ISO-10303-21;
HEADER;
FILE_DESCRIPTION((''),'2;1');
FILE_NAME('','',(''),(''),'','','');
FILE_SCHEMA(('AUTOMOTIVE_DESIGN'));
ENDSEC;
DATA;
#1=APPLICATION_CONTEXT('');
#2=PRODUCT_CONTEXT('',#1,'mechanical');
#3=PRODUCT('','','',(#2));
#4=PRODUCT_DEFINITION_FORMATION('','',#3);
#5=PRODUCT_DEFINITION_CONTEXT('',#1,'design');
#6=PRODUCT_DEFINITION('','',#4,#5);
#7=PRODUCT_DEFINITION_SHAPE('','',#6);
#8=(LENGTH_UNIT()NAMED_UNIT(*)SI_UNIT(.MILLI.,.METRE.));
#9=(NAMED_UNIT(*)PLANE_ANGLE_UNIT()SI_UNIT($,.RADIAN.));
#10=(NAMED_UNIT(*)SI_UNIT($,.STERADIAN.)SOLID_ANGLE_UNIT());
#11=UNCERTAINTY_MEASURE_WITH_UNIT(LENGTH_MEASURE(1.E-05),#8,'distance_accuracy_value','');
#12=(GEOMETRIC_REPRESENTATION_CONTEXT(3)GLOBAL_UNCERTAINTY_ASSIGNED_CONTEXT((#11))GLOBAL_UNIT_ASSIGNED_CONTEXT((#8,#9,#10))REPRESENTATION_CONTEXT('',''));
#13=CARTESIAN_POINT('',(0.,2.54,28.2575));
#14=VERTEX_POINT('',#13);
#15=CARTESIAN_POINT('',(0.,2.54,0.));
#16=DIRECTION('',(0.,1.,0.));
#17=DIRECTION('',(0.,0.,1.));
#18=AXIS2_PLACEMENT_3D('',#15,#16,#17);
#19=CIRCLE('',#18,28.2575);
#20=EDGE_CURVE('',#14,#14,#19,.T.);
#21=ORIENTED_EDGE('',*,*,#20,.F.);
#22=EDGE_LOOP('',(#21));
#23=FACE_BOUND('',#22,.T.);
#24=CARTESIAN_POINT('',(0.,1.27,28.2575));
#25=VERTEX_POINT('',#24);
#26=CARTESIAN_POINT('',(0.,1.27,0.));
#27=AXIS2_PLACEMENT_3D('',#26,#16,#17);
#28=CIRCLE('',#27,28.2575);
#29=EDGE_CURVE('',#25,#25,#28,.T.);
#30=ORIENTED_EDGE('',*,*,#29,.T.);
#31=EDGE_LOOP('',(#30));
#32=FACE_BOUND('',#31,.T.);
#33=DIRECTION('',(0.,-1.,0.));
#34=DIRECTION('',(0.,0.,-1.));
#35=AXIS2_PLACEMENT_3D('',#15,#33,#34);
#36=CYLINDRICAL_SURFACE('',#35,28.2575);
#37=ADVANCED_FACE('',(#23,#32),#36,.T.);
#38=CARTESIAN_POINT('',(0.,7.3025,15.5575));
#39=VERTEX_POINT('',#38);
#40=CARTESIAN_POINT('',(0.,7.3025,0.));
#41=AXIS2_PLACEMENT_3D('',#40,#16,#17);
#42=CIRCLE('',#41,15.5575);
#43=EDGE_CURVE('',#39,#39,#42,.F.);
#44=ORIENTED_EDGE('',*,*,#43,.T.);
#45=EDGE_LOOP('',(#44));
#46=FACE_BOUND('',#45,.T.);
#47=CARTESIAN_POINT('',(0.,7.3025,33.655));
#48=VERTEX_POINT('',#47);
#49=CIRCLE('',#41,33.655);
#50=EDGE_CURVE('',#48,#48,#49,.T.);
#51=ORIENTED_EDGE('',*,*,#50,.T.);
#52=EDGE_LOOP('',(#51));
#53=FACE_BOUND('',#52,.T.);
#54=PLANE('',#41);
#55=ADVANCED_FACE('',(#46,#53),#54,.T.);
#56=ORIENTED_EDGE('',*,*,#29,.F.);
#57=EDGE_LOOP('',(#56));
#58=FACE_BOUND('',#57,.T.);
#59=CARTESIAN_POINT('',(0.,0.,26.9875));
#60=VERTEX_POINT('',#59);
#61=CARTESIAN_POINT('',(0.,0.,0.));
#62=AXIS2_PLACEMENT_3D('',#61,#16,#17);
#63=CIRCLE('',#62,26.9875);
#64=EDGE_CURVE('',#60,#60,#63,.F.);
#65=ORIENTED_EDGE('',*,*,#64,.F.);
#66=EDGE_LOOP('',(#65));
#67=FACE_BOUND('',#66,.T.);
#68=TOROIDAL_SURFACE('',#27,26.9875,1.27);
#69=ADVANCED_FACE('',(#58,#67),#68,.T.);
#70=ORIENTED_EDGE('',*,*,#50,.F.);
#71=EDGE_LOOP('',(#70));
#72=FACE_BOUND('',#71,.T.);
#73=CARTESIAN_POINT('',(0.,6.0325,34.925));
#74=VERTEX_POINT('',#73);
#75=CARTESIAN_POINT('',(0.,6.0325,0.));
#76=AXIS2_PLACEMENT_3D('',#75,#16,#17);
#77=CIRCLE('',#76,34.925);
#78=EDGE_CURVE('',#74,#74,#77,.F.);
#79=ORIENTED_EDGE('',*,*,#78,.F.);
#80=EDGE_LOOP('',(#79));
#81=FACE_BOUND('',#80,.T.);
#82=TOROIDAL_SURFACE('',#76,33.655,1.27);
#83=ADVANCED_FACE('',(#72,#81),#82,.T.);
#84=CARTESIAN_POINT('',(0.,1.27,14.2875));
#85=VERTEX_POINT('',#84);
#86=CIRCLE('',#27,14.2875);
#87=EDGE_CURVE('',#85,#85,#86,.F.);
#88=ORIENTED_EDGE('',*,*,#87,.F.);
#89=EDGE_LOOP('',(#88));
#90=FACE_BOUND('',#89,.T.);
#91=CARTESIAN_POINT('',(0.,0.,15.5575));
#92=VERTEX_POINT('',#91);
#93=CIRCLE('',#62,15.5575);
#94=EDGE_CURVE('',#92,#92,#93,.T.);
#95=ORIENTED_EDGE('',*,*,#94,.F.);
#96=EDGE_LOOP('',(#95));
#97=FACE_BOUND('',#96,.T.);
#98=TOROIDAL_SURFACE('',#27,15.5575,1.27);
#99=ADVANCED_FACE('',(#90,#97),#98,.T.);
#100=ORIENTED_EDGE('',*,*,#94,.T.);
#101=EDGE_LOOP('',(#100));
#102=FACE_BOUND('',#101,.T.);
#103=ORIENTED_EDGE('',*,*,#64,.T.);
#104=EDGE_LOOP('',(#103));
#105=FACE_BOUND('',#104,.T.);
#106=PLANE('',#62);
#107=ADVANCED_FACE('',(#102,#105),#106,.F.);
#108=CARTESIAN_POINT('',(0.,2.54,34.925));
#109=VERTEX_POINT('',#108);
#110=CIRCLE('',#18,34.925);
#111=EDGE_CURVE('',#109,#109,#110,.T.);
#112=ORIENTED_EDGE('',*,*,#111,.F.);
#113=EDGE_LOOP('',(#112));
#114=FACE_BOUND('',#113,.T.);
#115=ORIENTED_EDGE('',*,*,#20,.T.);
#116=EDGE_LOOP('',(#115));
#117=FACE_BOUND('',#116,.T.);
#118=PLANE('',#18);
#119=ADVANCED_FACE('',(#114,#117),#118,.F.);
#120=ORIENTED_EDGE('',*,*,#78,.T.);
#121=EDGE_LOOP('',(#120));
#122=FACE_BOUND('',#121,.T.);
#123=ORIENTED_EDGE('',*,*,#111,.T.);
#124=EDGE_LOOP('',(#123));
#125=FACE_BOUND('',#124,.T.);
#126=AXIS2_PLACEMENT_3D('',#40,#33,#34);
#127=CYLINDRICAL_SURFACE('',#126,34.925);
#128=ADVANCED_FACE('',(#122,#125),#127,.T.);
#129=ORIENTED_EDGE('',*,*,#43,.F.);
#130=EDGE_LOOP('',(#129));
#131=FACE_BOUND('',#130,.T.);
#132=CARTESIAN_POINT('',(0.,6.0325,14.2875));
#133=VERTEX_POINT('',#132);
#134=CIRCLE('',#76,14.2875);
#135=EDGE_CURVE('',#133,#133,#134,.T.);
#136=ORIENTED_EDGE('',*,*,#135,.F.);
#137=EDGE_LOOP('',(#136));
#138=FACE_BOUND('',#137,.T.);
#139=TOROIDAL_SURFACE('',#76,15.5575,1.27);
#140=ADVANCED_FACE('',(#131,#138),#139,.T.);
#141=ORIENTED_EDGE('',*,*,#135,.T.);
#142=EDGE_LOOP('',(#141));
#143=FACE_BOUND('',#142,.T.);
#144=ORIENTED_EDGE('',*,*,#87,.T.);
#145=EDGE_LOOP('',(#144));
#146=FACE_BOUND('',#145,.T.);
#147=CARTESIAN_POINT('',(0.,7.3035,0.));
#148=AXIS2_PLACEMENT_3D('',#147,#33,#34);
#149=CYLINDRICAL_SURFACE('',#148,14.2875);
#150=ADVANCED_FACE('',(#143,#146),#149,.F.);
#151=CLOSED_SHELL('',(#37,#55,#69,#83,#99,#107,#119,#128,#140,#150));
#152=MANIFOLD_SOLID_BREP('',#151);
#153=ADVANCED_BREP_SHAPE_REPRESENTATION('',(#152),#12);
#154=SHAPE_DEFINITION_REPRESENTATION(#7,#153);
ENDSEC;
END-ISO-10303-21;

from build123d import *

# Parameters (mm, degrees)
SKETCH1_R           = 28.2575
BOSS_EXTRUDE1_DEPTH = 2.54
SKETCH2_R           = 34.925
BOSS_EXTRUDE2_DEPTH = 4.7625
CUT_EXTRUDE1_REACH  = 9.303
SKETCH3_R           = 14.2875
FILLET1_R           = 1.27


with BuildPart() as part:
    # Sketch1 → Boss-Extrude1 (new body)
    with BuildSketch(Plane(origin=(0, 0, 0), x_dir=(1, 0, 0), z_dir=(0, 1, 0))):
        Circle(SKETCH1_R)
    extrude(amount=BOSS_EXTRUDE1_DEPTH)

    # Sketch2 → Boss-Extrude2 (add)
    with BuildSketch(Plane(origin=(0, 2.54, 0), x_dir=(1, 0, 0), z_dir=(0, 1, 0))):
        Circle(SKETCH2_R)
    extrude(amount=BOSS_EXTRUDE2_DEPTH)

    # Sketch3 → Cut-Extrude1 (cut, up to next)
    with BuildSketch(Plane.XZ, mode=Mode.PRIVATE) as cut_extrude1_sk1:
        Circle(SKETCH3_R)
    cut_extrude1_tool1 = extrude(cut_extrude1_sk1.sketch, amount=-CUT_EXTRUDE1_REACH, mode=Mode.PRIVATE) & part.part
    add(cut_extrude1_tool1.solids().sort_by_distance((0, 0, 0))[0], mode=Mode.SUBTRACT)

    # Fillet1
    fillet1_edges = [part.edges().sort_by_distance(p)[0] for p in [
        (-14.2875, 7.3025, 0),
        (-14.2875, 0, 0),
        (-28.2575, 0, 0),
        (-34.925, 7.3025, 0),
    ]]
    fillet(fillet1_edges, radius=FILLET1_R)


solid = part.part
